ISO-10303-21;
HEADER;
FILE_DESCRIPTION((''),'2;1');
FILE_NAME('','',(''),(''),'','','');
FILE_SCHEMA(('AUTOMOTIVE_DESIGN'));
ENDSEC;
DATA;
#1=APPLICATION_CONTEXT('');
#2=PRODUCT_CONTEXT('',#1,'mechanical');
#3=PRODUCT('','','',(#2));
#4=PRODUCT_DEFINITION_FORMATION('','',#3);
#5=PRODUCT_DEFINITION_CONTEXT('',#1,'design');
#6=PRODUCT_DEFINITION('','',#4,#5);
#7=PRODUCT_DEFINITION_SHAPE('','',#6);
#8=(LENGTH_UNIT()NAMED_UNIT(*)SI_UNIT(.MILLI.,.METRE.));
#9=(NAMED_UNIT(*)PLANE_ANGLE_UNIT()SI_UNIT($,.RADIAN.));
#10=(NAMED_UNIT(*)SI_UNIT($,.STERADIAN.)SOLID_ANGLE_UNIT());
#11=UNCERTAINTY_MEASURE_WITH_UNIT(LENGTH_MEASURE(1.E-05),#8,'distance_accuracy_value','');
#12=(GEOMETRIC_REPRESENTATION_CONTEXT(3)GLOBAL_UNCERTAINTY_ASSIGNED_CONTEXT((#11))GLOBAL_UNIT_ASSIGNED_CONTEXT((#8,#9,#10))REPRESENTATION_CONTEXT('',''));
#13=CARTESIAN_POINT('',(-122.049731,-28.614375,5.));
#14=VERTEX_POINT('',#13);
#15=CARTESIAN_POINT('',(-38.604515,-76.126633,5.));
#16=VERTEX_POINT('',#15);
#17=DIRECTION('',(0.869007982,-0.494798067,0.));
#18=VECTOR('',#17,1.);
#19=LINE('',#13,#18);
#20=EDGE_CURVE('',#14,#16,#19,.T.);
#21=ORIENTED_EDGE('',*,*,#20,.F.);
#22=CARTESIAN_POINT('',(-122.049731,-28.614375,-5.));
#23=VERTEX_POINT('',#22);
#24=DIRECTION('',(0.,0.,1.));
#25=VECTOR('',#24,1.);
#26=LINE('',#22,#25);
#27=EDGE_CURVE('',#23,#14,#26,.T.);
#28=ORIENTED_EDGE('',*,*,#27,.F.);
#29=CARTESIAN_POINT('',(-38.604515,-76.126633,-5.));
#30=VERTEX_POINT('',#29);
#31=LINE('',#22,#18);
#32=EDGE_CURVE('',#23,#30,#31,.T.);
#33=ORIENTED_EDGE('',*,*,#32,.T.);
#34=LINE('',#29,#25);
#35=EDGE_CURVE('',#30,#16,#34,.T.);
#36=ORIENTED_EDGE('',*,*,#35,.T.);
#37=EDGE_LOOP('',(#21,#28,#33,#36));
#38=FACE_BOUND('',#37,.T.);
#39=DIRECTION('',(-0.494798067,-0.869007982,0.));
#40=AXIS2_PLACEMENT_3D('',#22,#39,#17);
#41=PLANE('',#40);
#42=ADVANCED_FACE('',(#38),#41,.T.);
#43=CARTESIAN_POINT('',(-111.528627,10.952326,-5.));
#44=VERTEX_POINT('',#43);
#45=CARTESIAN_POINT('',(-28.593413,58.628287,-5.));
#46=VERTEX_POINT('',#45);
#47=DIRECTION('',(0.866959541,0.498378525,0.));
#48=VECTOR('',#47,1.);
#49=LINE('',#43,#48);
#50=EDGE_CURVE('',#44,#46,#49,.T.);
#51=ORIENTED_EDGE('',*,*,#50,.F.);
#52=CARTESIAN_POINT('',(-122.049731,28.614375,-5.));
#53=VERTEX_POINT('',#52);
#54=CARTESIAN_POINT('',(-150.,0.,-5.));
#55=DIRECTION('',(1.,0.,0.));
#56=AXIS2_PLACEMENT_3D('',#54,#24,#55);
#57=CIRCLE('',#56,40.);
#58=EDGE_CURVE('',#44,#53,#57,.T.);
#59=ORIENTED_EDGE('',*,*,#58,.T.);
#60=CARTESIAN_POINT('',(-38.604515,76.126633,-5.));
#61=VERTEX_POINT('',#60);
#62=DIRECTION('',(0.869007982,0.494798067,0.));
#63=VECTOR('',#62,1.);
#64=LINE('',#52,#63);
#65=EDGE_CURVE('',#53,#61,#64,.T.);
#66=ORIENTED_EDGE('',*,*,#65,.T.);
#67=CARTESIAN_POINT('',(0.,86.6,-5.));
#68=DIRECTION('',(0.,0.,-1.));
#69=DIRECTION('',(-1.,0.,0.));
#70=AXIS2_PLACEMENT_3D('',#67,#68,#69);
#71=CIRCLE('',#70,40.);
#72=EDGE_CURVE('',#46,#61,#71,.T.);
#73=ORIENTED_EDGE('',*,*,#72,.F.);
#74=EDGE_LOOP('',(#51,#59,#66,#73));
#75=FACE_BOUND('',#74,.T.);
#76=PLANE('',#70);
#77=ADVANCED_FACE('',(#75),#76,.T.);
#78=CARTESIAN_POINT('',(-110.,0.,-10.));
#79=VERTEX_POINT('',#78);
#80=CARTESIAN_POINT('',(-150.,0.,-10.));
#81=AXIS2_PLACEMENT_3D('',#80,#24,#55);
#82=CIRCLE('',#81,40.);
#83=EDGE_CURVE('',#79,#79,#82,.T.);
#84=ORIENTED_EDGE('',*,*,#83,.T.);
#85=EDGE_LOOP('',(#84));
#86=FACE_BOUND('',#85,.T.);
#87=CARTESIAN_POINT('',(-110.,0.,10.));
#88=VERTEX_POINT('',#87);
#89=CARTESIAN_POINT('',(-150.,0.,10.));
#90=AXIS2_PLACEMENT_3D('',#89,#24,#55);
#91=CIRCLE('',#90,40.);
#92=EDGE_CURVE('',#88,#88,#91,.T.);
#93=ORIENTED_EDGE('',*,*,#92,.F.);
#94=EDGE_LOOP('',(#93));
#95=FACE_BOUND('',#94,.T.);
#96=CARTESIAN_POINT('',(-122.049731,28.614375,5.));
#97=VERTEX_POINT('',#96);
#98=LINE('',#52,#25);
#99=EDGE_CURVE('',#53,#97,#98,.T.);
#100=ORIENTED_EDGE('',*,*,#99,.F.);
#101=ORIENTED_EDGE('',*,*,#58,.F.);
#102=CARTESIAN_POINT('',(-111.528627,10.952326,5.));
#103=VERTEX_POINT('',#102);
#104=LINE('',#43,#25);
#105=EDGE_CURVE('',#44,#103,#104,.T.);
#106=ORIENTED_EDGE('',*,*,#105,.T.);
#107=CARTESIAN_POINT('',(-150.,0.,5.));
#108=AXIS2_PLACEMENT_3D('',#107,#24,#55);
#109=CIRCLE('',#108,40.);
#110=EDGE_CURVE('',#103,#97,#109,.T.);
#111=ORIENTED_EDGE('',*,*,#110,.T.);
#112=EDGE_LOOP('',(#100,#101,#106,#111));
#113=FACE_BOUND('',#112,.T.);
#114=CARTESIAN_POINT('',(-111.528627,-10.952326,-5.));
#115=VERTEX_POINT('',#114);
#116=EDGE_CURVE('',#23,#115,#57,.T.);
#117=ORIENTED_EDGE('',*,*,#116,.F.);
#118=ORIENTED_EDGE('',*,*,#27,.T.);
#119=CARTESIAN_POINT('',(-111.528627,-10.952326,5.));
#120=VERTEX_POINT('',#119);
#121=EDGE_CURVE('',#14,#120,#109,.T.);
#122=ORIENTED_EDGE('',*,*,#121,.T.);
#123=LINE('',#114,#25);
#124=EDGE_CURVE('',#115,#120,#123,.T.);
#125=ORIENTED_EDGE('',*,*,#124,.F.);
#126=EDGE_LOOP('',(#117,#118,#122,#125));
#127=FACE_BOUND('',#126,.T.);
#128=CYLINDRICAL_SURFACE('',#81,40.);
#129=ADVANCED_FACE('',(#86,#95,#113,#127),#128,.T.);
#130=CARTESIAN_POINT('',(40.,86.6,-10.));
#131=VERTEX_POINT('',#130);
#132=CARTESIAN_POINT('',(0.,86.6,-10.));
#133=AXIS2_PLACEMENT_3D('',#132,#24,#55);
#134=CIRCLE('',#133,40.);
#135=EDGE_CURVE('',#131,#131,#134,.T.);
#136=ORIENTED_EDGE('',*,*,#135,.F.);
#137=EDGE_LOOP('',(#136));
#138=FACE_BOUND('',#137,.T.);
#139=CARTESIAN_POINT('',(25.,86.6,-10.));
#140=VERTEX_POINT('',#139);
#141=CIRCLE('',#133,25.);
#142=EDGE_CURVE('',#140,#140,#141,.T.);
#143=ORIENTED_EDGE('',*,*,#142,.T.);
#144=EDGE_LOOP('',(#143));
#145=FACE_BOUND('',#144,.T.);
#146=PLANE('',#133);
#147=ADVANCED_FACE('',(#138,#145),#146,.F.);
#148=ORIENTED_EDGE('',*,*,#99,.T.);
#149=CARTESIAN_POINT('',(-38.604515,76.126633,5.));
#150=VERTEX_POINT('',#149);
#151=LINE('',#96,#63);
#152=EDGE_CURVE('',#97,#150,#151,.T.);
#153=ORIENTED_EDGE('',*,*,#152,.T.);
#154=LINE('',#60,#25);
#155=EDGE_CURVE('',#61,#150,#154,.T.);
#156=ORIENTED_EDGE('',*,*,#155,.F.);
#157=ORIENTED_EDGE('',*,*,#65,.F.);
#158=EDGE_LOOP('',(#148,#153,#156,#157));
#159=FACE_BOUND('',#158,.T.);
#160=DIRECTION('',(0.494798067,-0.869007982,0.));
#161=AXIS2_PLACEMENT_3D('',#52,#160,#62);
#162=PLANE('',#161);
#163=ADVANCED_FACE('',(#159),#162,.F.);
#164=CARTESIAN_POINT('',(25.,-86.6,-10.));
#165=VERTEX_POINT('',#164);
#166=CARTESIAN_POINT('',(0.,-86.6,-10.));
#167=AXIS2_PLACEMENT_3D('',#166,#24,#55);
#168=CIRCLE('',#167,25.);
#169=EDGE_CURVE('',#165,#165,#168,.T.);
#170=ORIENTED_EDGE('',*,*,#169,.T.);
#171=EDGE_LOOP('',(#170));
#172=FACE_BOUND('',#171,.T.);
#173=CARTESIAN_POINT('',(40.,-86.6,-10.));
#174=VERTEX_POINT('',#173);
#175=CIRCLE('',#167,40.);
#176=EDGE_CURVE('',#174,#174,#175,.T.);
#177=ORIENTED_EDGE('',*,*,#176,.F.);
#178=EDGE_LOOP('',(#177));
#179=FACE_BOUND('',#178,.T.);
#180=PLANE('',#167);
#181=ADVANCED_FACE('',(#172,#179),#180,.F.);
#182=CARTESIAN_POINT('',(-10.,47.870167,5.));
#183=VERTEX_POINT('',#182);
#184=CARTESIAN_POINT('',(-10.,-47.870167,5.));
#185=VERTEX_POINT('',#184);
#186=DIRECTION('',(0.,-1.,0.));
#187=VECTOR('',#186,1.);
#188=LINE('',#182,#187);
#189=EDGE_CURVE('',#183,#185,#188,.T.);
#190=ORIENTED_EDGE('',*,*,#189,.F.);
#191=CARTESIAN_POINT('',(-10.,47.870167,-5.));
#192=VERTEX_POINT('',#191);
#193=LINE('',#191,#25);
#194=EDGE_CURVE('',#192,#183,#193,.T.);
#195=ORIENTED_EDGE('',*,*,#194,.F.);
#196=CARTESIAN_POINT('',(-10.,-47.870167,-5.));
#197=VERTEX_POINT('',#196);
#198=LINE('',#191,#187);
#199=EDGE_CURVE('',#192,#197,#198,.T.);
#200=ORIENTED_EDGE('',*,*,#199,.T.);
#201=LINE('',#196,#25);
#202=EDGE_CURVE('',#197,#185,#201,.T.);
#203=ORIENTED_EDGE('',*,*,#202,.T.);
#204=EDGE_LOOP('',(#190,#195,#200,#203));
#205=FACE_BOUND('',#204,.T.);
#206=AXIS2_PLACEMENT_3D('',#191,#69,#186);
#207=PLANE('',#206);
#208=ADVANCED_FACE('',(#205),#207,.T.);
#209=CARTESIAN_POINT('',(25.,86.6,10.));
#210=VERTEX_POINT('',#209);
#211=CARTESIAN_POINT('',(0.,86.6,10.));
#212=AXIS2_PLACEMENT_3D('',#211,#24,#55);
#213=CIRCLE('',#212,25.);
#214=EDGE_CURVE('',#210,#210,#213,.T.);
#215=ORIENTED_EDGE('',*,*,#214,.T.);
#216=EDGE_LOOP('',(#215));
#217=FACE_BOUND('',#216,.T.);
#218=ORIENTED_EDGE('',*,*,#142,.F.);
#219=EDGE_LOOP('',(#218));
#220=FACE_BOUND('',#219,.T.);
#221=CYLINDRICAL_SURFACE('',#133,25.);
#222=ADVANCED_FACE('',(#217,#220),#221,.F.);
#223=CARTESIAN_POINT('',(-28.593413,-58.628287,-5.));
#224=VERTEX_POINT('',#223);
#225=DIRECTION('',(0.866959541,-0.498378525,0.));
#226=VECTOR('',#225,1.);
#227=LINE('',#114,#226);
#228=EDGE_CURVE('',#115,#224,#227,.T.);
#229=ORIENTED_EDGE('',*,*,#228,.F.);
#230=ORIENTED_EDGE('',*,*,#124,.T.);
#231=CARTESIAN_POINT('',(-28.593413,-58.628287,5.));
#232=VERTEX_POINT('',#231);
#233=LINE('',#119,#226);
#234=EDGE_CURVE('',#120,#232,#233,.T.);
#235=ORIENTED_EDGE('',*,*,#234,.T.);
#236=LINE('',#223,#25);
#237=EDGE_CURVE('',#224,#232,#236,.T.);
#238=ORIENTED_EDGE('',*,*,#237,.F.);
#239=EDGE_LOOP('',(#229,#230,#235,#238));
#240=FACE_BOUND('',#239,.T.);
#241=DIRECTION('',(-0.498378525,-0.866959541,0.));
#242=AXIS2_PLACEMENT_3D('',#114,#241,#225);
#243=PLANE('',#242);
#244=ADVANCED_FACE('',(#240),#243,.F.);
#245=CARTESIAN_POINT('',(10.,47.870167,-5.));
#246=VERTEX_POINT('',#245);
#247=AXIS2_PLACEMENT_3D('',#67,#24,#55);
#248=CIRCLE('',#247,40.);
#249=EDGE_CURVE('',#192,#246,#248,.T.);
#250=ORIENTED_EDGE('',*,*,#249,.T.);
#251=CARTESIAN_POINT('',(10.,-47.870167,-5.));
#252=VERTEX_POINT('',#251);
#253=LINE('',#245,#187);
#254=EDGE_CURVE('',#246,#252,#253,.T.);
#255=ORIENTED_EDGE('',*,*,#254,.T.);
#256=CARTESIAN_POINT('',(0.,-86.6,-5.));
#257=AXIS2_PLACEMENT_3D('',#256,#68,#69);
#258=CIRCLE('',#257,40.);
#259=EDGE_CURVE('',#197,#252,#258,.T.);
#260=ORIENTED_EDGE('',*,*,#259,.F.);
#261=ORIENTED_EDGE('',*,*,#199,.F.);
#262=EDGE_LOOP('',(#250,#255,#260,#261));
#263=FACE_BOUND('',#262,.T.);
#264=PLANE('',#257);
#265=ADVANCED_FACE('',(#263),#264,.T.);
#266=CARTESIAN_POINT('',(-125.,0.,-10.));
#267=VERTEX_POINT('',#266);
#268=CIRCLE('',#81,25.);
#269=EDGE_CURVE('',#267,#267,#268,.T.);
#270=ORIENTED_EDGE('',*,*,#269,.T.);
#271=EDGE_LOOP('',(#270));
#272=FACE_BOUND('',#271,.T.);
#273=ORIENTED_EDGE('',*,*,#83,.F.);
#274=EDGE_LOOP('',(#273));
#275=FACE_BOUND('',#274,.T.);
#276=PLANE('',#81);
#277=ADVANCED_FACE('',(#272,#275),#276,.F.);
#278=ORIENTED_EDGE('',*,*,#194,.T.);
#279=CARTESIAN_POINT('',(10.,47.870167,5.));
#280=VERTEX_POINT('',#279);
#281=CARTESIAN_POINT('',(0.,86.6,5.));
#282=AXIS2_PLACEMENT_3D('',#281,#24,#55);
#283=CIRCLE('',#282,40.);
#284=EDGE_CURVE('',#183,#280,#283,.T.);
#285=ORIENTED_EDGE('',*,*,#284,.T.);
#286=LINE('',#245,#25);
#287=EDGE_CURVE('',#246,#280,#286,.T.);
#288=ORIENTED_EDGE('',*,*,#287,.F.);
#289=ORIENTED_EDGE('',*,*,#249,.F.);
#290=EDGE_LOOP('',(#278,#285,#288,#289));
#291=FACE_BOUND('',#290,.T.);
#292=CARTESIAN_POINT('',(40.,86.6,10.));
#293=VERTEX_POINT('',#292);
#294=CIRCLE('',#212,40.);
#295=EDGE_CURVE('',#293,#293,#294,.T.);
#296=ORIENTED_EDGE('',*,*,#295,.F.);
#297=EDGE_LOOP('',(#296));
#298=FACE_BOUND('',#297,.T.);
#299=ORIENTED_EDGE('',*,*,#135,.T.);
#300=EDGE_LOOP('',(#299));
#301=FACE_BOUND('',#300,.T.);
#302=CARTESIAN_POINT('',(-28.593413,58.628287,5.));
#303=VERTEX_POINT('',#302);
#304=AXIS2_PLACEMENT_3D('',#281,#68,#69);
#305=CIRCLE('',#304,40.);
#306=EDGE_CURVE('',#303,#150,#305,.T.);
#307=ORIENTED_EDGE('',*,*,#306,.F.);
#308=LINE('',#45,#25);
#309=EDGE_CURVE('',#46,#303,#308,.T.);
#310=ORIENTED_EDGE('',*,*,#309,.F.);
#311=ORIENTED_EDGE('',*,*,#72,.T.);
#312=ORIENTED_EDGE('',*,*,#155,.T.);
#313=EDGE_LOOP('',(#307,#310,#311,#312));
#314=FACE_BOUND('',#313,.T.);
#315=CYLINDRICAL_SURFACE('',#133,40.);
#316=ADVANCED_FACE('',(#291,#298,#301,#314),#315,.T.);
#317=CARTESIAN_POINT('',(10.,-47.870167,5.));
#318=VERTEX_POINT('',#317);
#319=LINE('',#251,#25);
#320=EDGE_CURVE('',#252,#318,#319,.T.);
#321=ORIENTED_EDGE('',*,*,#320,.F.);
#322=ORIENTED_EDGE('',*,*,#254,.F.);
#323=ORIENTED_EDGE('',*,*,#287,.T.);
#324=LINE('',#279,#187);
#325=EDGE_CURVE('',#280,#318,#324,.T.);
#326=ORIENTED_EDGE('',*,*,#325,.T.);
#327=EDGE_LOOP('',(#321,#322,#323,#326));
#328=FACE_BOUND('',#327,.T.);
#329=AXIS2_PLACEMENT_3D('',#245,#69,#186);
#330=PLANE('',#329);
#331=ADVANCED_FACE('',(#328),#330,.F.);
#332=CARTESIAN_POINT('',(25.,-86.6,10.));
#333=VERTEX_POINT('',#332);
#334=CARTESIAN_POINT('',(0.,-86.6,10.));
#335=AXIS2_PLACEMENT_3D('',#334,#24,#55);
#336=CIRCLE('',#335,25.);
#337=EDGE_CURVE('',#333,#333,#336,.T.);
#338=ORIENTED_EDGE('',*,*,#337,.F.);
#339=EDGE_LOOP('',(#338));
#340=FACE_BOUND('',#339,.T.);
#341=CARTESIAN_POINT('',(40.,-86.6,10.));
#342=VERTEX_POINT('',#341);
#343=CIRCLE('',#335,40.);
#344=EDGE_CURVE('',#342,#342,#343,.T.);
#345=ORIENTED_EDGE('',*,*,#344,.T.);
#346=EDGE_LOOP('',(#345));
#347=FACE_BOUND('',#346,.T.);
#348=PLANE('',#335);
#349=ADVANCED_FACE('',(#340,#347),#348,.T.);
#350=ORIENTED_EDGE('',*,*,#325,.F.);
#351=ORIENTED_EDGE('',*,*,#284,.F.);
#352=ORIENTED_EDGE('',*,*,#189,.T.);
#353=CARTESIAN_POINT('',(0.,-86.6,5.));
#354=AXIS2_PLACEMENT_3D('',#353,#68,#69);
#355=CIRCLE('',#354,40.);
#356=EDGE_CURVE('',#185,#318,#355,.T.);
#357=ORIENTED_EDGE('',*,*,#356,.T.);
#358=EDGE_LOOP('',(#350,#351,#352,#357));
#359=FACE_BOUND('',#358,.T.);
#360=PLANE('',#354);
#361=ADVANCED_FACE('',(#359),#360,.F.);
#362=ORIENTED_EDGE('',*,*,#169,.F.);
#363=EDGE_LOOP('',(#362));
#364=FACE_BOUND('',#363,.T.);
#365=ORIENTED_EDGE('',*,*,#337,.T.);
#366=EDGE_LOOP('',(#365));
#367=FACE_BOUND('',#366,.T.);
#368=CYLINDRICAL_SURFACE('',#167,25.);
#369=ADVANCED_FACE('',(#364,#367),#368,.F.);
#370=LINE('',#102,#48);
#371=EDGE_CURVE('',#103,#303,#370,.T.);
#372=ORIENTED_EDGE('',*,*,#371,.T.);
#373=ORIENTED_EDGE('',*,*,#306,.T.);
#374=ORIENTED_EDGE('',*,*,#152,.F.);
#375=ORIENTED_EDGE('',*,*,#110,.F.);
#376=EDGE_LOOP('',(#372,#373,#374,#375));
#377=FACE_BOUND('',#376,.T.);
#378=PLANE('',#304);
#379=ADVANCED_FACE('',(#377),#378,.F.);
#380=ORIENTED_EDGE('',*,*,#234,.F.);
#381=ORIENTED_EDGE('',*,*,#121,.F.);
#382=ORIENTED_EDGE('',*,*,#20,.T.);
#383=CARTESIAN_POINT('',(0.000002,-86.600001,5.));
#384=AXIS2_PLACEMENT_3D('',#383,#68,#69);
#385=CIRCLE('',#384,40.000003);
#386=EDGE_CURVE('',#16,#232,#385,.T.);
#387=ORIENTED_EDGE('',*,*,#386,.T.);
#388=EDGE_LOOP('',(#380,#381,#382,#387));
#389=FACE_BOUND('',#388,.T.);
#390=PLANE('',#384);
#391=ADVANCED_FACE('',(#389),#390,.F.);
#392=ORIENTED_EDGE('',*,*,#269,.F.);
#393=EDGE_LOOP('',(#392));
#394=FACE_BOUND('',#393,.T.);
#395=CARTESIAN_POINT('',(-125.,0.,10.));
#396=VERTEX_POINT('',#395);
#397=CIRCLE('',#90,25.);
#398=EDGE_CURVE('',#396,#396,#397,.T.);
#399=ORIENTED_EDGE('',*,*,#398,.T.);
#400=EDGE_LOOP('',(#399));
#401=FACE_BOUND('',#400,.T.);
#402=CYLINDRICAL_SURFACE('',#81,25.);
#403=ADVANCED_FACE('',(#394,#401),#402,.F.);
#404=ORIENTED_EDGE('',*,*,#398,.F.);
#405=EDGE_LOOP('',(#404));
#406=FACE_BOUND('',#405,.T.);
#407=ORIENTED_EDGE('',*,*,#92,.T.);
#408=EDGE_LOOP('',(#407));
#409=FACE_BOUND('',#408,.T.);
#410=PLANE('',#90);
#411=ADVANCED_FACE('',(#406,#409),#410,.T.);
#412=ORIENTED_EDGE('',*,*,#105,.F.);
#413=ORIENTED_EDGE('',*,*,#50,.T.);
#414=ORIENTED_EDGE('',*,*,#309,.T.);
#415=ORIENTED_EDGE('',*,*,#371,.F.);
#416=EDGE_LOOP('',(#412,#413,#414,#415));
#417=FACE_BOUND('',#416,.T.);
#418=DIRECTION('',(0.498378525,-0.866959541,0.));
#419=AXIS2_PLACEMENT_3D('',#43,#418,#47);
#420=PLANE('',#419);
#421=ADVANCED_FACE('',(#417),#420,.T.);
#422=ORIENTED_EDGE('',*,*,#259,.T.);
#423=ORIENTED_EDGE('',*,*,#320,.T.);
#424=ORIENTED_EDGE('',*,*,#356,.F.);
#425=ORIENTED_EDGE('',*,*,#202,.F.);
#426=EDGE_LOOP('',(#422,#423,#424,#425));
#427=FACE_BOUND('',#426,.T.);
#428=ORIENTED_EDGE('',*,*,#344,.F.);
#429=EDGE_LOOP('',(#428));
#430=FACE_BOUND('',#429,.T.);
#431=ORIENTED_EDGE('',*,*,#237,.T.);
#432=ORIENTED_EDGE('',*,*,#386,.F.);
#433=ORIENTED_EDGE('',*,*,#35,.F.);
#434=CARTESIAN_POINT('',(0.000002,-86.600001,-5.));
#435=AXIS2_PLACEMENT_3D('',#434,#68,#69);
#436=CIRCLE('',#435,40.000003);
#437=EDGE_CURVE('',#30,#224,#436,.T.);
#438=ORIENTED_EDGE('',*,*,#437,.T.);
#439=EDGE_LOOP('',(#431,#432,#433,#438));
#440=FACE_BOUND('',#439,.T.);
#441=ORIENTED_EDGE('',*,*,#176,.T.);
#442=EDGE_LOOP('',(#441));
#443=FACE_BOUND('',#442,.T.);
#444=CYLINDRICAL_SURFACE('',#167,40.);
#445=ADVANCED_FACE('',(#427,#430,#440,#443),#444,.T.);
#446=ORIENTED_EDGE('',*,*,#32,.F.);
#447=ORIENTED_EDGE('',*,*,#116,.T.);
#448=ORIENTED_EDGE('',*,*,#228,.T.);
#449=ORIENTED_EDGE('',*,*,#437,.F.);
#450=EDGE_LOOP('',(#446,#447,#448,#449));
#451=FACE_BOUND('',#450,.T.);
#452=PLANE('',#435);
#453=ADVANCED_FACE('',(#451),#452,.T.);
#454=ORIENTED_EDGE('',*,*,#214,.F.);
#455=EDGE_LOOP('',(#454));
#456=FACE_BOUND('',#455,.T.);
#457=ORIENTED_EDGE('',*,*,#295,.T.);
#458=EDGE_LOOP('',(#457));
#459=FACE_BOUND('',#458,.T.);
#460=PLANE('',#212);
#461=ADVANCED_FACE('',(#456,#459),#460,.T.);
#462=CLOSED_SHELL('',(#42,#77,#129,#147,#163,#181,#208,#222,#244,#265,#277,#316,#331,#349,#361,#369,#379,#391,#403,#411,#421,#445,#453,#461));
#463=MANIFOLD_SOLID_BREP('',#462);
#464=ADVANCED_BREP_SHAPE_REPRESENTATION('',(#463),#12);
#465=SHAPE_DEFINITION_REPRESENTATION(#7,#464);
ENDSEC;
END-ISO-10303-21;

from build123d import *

# Parameters (mm, degrees)
BOSS_EXTRUDE1_DEPTH        = 5
BOSS_EXTRUDE1_DEPTH_BACK   = 5
BOSS_EXTRUDE1_2_DEPTH      = 5
BOSS_EXTRUDE1_2_DEPTH_BACK = 5
BOSS_EXTRUDE1_3_DEPTH      = 5
BOSS_EXTRUDE1_3_DEPTH_BACK = 5
BOSS_EXTRUDE2_DEPTH        = 10
BOSS_EXTRUDE2_DEPTH_BACK   = 10
SKETCH1_6_R                = 40
SKETCH1_6_R_2              = 25


with BuildPart() as part:
    # Sketch1 → Boss-Extrude1 (new, two sides: drawn at the far end of the back side and taken through both)
    with BuildSketch(Plane.XY.offset(-BOSS_EXTRUDE1_DEPTH_BACK)):
        with BuildLine():
            Line((10, 47.870166538), (10, -47.870166538))
            ThreePointArc((10, -47.870166538), (0, -46.6), (-10, -47.870166538))
            Line((-10, -47.870166538), (-10, 47.870166538))
            ThreePointArc((-10, 47.870166538), (0, 46.6), (10, 47.870166538))
        make_face()
    extrude(amount=BOSS_EXTRUDE1_DEPTH + BOSS_EXTRUDE1_DEPTH_BACK)



with BuildPart() as body_2:
    # Sketch1 → Boss-Extrude1 2 (new, two sides: drawn at the far end of the back side and taken through both)
    with BuildSketch(Plane.XY.offset(-BOSS_EXTRUDE1_2_DEPTH_BACK)):
        with BuildLine():
            Line((-122.049730922, 28.614375032), (-38.604515092, 76.126633087))
            ThreePointArc((-38.604515092, 76.126633087), (-34.719424314, 66.736425918), (-28.593413405, 58.628287327))
            Line((-28.593413405, 58.628287327), (-111.528626884, 10.952326263))
            ThreePointArc((-111.528626884, 10.952326263), (-115.635110511, 20.470817531), (-122.049730922, 28.614375032))
        make_face()
    extrude(amount=BOSS_EXTRUDE1_2_DEPTH + BOSS_EXTRUDE1_2_DEPTH_BACK)


with BuildPart() as body_3:
    # Sketch1 → Boss-Extrude1 3 (new, two sides: drawn at the far end of the back side and taken through both)
    with BuildSketch(Plane.XY.offset(-BOSS_EXTRUDE1_3_DEPTH_BACK)):
        with BuildLine():
            Line((-111.528626884, -10.952326263), (-28.593413405, -58.628287327))
            ThreePointArc((-28.593413405, -58.628287327), (-34.719424235, -66.736425963), (-38.604515092, -76.126633087))
            Line((-38.604515092, -76.126633087), (-122.049730922, -28.614375032))
            ThreePointArc((-122.049730922, -28.614375032), (-115.635110511, -20.470817531), (-111.528626884, -10.952326263))
        make_face()
    extrude(amount=BOSS_EXTRUDE1_3_DEPTH + BOSS_EXTRUDE1_3_DEPTH_BACK)


with BuildPart() as part_1:
    add(part.part)

    add(body_2.part)  # Boss-Extrude2 merges body 2

    add(body_3.part)  # Boss-Extrude2 merges body 3
    # Sketch1<6> → Boss-Extrude2 (add, two sides: drawn at the far end of the back side and taken through both)
    # profile 1 of 3: a face of its own
    with BuildSketch(Plane.XY.offset(-BOSS_EXTRUDE2_DEPTH_BACK)):
        with Locations((0, 86.6)):
            Circle(SKETCH1_6_R)
        with Locations((0, 86.6)):
            Circle(SKETCH1_6_R_2, mode=Mode.SUBTRACT)
    # profile 2 of 3: a face of its own
    with BuildSketch(Plane.XY.offset(-BOSS_EXTRUDE2_DEPTH_BACK)):
        with Locations((0, -86.6)):
            Circle(SKETCH1_6_R)
        with Locations((0, -86.6)):
            Circle(SKETCH1_6_R_2, mode=Mode.SUBTRACT)
    # profile 3 of 3: a face of its own
    with BuildSketch(Plane.XY.offset(-BOSS_EXTRUDE2_DEPTH_BACK)):
        with Locations((-150, 0)):
            Circle(SKETCH1_6_R)
        with Locations((-150, 0)):
            Circle(SKETCH1_6_R_2, mode=Mode.SUBTRACT)
    extrude(amount=BOSS_EXTRUDE2_DEPTH + BOSS_EXTRUDE2_DEPTH_BACK)


solid = part_1.part
